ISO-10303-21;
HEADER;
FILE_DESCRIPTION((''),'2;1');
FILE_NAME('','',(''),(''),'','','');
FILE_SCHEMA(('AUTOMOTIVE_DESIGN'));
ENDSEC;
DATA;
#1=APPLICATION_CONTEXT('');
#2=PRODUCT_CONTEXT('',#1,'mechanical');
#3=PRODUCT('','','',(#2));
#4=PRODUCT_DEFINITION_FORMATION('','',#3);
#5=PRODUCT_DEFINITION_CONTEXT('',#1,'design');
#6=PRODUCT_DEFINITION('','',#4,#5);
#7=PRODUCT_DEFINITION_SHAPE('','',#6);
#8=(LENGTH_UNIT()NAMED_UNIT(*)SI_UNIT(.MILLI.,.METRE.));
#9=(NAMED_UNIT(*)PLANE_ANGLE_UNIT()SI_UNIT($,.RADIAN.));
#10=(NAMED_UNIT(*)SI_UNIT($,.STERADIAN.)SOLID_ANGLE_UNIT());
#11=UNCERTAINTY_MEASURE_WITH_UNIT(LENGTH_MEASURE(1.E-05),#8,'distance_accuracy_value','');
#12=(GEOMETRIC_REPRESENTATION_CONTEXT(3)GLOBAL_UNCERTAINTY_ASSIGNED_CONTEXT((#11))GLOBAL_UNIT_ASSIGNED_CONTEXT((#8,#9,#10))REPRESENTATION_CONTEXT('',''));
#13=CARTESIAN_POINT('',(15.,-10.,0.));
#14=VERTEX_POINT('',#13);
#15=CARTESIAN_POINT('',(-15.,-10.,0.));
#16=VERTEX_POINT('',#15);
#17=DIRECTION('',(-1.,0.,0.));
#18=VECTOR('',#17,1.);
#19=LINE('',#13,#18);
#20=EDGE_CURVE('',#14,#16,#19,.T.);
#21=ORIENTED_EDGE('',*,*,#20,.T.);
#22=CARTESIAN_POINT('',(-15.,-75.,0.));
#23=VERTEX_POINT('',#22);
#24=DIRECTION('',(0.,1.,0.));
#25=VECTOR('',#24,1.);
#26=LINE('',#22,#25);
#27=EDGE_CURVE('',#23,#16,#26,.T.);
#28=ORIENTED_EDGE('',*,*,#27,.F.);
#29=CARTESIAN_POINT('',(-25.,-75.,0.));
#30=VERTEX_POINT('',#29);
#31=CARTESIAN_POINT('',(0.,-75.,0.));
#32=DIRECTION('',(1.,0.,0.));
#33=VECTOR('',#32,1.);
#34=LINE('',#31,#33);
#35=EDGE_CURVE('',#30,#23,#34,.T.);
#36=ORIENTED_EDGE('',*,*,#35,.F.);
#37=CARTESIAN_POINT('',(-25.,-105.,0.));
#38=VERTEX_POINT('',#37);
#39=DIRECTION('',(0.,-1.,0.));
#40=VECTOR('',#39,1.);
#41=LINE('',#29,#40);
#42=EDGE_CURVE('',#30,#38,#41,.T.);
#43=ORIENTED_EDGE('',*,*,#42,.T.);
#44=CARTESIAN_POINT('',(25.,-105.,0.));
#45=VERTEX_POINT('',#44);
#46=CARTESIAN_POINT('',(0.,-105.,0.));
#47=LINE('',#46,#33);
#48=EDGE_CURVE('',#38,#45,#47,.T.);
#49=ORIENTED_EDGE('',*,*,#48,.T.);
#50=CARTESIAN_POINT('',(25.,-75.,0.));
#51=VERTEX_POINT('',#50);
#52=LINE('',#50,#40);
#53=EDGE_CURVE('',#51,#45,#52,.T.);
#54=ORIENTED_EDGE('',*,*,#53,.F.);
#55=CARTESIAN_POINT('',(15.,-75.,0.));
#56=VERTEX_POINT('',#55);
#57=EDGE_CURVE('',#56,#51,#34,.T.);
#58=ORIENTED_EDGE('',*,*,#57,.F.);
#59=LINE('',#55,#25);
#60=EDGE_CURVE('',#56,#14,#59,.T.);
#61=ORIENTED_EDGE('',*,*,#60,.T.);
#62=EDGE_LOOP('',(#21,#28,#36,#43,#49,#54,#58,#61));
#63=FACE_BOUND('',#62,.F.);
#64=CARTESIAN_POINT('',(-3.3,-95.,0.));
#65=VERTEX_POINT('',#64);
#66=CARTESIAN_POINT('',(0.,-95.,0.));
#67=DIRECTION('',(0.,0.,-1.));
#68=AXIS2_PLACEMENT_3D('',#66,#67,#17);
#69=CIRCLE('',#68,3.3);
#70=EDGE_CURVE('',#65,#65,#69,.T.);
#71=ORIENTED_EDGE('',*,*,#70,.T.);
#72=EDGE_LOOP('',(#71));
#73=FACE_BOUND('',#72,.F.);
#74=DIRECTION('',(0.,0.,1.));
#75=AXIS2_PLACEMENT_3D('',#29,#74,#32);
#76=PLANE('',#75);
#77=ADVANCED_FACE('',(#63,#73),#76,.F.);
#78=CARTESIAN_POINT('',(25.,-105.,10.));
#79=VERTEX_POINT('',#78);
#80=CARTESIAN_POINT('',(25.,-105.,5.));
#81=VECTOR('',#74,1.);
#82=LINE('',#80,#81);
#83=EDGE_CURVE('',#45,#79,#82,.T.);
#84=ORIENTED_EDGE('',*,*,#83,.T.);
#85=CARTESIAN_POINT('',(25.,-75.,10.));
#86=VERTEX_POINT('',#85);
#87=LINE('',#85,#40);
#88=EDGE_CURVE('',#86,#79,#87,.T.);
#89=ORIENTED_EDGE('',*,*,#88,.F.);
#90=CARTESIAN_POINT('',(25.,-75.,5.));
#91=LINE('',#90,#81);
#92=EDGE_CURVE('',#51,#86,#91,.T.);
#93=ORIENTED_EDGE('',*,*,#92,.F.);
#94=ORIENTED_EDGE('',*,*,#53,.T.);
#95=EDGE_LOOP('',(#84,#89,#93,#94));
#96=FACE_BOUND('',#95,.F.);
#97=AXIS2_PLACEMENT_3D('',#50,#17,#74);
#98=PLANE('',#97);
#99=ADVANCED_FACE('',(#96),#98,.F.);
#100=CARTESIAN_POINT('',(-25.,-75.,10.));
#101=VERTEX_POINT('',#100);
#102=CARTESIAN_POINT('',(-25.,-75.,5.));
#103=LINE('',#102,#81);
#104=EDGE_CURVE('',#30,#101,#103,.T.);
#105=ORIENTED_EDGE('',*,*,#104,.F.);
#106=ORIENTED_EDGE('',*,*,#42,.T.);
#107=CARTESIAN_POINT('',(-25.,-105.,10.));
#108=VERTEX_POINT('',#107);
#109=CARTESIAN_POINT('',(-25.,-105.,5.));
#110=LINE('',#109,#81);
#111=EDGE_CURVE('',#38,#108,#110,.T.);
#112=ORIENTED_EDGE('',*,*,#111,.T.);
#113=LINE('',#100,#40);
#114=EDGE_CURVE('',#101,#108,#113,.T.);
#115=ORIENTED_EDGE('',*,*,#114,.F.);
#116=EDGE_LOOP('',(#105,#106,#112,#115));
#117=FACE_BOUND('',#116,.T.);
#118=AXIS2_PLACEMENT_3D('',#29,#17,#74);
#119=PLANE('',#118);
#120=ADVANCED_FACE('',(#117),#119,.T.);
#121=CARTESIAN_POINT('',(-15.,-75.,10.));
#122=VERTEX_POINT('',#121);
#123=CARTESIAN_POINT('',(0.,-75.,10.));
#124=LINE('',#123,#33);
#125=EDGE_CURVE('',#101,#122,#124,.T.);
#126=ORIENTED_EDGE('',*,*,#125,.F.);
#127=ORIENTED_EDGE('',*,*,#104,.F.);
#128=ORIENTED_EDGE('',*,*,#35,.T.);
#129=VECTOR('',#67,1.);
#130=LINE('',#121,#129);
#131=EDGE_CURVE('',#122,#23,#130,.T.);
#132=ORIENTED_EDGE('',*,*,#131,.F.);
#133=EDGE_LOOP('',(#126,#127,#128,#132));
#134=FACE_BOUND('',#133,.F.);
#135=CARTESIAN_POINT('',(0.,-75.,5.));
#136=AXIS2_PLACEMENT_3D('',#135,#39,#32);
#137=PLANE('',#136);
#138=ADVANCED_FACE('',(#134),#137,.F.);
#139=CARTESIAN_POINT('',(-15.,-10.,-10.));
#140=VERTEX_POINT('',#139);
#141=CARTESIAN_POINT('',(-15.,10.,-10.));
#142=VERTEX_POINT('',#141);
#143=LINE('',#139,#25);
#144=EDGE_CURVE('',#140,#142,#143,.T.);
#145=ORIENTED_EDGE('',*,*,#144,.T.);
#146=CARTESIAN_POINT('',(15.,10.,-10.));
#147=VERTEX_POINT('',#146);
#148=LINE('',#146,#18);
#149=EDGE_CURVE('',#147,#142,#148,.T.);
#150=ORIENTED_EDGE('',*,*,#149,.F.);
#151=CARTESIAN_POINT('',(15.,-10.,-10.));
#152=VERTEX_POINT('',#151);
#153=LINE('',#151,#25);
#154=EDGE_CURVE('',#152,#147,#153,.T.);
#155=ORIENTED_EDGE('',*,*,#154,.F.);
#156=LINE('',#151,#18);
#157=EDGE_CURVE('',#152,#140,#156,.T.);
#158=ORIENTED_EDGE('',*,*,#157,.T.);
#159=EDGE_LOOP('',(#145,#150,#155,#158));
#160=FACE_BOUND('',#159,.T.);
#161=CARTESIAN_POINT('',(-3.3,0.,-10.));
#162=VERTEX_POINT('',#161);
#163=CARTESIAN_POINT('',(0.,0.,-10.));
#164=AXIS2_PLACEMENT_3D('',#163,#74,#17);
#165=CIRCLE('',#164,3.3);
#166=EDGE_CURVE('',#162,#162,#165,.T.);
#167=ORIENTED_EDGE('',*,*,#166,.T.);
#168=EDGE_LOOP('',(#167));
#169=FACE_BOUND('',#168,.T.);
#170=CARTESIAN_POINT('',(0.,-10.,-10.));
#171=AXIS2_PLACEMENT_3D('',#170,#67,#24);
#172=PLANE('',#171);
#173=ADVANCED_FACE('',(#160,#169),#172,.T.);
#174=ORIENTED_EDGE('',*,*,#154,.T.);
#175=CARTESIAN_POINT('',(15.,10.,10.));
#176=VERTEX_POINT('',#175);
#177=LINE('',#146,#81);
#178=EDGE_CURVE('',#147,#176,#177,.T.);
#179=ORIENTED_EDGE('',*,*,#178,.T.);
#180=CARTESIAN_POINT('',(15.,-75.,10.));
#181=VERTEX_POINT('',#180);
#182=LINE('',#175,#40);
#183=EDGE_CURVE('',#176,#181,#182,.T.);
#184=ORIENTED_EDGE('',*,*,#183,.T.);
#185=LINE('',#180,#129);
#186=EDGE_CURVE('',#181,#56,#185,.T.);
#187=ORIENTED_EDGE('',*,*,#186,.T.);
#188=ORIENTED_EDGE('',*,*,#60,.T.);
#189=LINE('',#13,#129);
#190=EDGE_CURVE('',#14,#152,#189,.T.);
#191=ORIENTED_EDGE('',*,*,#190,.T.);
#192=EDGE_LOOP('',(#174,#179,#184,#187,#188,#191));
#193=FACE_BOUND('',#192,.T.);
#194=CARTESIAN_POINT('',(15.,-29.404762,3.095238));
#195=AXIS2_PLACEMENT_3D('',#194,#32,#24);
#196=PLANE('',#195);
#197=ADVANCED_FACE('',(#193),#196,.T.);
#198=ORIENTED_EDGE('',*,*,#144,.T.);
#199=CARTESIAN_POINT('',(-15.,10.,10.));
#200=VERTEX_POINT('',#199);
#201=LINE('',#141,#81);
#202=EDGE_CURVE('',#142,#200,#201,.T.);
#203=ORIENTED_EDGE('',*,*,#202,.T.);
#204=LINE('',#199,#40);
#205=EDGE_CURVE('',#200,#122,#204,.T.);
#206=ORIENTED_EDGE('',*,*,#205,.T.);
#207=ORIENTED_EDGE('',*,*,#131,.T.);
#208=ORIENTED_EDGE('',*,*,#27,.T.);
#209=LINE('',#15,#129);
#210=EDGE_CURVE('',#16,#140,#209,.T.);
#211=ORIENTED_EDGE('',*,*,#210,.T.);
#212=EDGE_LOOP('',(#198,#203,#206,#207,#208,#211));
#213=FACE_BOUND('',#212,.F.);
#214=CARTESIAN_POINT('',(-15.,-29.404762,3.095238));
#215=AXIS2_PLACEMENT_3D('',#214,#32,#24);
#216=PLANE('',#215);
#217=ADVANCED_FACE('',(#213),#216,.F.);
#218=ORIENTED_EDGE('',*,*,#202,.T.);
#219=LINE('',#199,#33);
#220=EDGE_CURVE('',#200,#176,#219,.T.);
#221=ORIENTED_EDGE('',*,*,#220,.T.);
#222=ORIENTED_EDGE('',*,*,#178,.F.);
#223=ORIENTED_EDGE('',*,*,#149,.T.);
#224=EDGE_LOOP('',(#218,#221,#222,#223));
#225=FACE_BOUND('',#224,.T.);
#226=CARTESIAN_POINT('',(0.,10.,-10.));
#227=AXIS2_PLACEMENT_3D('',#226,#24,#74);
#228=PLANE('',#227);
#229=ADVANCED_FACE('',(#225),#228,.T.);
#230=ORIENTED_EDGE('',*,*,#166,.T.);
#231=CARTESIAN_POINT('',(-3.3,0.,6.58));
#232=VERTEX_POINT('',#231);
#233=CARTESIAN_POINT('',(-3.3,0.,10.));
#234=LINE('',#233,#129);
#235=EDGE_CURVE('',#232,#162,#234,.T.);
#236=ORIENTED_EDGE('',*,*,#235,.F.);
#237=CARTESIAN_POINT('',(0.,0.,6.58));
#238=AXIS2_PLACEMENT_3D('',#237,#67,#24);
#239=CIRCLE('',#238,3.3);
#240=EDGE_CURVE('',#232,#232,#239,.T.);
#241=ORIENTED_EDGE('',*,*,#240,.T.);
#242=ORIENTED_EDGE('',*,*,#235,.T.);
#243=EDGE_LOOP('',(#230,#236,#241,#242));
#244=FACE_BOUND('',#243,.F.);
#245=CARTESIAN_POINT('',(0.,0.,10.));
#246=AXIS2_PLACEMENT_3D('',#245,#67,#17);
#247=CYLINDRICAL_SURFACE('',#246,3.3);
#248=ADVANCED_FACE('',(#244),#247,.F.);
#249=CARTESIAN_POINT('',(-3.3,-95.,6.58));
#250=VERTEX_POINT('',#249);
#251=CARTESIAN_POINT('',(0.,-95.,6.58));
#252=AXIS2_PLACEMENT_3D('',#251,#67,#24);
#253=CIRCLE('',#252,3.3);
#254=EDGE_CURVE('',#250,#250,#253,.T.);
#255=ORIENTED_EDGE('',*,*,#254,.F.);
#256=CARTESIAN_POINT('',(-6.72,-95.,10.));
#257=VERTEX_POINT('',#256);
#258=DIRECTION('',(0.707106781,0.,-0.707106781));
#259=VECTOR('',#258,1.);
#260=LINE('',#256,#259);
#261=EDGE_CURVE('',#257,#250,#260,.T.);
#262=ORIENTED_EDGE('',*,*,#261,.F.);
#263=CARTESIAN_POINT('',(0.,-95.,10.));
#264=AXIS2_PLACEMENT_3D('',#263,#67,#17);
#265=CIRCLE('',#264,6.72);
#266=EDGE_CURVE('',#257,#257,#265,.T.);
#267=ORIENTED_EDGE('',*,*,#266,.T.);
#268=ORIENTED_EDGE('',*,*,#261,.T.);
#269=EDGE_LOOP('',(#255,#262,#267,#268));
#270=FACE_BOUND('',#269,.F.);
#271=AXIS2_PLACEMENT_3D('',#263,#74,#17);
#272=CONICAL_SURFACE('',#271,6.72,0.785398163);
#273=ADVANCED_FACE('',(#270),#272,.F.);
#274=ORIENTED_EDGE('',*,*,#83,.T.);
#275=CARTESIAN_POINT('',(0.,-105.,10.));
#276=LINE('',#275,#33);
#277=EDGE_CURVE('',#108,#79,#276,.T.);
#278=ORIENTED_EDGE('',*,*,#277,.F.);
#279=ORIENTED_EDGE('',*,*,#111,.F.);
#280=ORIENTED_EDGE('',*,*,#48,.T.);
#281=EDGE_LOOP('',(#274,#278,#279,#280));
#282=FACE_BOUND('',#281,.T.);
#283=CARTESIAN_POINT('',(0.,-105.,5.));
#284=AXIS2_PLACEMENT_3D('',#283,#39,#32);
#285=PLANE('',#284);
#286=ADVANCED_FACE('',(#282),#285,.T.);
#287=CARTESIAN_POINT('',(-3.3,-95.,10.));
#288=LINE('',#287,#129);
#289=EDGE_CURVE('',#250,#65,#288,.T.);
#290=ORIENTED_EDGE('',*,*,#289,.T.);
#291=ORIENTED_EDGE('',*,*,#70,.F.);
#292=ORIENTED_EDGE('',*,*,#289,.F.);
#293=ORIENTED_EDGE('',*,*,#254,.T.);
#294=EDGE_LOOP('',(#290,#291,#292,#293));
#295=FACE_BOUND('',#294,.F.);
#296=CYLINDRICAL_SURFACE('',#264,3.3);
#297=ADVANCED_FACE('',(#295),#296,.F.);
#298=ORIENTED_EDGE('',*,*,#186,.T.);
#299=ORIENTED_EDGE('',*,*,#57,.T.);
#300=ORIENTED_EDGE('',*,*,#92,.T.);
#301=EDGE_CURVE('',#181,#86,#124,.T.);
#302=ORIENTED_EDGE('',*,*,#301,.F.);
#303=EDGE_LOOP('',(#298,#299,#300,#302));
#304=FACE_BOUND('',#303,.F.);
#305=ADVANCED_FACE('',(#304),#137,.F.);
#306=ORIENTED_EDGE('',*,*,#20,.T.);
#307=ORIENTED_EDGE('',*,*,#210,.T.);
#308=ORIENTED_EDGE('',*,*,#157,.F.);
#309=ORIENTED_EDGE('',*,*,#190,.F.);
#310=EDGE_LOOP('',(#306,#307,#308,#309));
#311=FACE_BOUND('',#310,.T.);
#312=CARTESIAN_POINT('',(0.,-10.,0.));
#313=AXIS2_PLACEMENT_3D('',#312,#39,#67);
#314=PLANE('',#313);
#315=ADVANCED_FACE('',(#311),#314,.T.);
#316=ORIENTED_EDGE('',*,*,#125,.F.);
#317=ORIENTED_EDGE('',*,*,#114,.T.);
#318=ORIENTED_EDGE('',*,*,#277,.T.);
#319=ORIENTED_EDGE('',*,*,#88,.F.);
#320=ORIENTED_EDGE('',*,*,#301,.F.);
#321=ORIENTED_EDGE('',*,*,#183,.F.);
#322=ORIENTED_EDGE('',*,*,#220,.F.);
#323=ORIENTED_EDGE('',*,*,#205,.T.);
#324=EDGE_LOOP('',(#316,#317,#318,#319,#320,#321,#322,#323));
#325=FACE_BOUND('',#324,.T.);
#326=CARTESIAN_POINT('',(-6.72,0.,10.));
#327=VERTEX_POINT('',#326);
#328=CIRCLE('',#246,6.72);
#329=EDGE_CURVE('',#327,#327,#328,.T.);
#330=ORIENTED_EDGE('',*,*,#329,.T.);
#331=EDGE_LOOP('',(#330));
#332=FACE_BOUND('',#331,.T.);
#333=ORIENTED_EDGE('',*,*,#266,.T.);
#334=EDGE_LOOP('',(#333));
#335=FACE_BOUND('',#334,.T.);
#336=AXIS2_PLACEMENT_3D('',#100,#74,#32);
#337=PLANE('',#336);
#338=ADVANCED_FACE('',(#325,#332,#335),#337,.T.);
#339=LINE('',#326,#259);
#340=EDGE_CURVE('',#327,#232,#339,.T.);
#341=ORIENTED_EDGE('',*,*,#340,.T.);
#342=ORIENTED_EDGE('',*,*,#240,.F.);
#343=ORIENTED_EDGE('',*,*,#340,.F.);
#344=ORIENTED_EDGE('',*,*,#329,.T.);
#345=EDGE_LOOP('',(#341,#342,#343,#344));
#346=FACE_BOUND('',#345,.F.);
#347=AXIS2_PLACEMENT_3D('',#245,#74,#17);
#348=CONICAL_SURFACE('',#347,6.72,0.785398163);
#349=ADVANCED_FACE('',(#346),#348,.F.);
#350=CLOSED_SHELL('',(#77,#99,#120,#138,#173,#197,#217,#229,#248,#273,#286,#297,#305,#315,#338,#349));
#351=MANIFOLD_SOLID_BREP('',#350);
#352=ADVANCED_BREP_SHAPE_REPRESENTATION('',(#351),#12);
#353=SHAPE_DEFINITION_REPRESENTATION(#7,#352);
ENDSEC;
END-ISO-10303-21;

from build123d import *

# Parameters (mm, degrees)
F1_DEPTH       = 15
F2_W           = 50
F2_H           = 10
F3_DEPTH       = 30
F5_D           = 6.6
F5_DEPTH       = 20
F5_CSINK_D     = 13.44
F5_CSINK_ANGLE = 90
F5_TIP         = 1.9828400428
F7_D           = 6.6
F7_DEPTH       = 10
F7_CSINK_D     = 13.44
F7_CSINK_ANGLE = 90
F7_TIP         = 1.9828400428


with BuildPart() as f1:
    # F0 (on Right) → F1 (new body, symmetric)
    with BuildSketch(Plane.YZ):
        Polygon((10, -10), (10, 10), (-10, 10), (-75, 10), (-75, 0), (-10, 0), (-10, -10), align=None)
    extrude(amount=F1_DEPTH, both=True)

    # F2 (on face) → F3 (join)
    with BuildSketch(Plane.XZ.offset(75)):
        with Locations((0, 5)):
            Rectangle(F2_W, F2_H)
    extrude(amount=F3_DEPTH)

    # F5
    with Locations(Plane.XY.offset(10)):
        with Locations((0, 0)):
            CounterSinkHole(F5_D / 2, F5_CSINK_D / 2, depth=F5_DEPTH, counter_sink_angle=F5_CSINK_ANGLE)
            with Locations((0, 0, -(F5_DEPTH + F5_TIP / 2))):  # 118° drill point
                Cone(0, F5_D / 2, F5_TIP, mode=Mode.SUBTRACT)

    # F7
    with Locations(Plane.XY.offset(10)):
        with Locations((0, -95)):
            CounterSinkHole(F7_D / 2, F7_CSINK_D / 2, depth=F7_DEPTH, counter_sink_angle=F7_CSINK_ANGLE)
            with Locations((0, 0, -(F7_DEPTH + F7_TIP / 2))):  # 118° drill point
                Cone(0, F7_D / 2, F7_TIP, mode=Mode.SUBTRACT)


solid = f1.part
